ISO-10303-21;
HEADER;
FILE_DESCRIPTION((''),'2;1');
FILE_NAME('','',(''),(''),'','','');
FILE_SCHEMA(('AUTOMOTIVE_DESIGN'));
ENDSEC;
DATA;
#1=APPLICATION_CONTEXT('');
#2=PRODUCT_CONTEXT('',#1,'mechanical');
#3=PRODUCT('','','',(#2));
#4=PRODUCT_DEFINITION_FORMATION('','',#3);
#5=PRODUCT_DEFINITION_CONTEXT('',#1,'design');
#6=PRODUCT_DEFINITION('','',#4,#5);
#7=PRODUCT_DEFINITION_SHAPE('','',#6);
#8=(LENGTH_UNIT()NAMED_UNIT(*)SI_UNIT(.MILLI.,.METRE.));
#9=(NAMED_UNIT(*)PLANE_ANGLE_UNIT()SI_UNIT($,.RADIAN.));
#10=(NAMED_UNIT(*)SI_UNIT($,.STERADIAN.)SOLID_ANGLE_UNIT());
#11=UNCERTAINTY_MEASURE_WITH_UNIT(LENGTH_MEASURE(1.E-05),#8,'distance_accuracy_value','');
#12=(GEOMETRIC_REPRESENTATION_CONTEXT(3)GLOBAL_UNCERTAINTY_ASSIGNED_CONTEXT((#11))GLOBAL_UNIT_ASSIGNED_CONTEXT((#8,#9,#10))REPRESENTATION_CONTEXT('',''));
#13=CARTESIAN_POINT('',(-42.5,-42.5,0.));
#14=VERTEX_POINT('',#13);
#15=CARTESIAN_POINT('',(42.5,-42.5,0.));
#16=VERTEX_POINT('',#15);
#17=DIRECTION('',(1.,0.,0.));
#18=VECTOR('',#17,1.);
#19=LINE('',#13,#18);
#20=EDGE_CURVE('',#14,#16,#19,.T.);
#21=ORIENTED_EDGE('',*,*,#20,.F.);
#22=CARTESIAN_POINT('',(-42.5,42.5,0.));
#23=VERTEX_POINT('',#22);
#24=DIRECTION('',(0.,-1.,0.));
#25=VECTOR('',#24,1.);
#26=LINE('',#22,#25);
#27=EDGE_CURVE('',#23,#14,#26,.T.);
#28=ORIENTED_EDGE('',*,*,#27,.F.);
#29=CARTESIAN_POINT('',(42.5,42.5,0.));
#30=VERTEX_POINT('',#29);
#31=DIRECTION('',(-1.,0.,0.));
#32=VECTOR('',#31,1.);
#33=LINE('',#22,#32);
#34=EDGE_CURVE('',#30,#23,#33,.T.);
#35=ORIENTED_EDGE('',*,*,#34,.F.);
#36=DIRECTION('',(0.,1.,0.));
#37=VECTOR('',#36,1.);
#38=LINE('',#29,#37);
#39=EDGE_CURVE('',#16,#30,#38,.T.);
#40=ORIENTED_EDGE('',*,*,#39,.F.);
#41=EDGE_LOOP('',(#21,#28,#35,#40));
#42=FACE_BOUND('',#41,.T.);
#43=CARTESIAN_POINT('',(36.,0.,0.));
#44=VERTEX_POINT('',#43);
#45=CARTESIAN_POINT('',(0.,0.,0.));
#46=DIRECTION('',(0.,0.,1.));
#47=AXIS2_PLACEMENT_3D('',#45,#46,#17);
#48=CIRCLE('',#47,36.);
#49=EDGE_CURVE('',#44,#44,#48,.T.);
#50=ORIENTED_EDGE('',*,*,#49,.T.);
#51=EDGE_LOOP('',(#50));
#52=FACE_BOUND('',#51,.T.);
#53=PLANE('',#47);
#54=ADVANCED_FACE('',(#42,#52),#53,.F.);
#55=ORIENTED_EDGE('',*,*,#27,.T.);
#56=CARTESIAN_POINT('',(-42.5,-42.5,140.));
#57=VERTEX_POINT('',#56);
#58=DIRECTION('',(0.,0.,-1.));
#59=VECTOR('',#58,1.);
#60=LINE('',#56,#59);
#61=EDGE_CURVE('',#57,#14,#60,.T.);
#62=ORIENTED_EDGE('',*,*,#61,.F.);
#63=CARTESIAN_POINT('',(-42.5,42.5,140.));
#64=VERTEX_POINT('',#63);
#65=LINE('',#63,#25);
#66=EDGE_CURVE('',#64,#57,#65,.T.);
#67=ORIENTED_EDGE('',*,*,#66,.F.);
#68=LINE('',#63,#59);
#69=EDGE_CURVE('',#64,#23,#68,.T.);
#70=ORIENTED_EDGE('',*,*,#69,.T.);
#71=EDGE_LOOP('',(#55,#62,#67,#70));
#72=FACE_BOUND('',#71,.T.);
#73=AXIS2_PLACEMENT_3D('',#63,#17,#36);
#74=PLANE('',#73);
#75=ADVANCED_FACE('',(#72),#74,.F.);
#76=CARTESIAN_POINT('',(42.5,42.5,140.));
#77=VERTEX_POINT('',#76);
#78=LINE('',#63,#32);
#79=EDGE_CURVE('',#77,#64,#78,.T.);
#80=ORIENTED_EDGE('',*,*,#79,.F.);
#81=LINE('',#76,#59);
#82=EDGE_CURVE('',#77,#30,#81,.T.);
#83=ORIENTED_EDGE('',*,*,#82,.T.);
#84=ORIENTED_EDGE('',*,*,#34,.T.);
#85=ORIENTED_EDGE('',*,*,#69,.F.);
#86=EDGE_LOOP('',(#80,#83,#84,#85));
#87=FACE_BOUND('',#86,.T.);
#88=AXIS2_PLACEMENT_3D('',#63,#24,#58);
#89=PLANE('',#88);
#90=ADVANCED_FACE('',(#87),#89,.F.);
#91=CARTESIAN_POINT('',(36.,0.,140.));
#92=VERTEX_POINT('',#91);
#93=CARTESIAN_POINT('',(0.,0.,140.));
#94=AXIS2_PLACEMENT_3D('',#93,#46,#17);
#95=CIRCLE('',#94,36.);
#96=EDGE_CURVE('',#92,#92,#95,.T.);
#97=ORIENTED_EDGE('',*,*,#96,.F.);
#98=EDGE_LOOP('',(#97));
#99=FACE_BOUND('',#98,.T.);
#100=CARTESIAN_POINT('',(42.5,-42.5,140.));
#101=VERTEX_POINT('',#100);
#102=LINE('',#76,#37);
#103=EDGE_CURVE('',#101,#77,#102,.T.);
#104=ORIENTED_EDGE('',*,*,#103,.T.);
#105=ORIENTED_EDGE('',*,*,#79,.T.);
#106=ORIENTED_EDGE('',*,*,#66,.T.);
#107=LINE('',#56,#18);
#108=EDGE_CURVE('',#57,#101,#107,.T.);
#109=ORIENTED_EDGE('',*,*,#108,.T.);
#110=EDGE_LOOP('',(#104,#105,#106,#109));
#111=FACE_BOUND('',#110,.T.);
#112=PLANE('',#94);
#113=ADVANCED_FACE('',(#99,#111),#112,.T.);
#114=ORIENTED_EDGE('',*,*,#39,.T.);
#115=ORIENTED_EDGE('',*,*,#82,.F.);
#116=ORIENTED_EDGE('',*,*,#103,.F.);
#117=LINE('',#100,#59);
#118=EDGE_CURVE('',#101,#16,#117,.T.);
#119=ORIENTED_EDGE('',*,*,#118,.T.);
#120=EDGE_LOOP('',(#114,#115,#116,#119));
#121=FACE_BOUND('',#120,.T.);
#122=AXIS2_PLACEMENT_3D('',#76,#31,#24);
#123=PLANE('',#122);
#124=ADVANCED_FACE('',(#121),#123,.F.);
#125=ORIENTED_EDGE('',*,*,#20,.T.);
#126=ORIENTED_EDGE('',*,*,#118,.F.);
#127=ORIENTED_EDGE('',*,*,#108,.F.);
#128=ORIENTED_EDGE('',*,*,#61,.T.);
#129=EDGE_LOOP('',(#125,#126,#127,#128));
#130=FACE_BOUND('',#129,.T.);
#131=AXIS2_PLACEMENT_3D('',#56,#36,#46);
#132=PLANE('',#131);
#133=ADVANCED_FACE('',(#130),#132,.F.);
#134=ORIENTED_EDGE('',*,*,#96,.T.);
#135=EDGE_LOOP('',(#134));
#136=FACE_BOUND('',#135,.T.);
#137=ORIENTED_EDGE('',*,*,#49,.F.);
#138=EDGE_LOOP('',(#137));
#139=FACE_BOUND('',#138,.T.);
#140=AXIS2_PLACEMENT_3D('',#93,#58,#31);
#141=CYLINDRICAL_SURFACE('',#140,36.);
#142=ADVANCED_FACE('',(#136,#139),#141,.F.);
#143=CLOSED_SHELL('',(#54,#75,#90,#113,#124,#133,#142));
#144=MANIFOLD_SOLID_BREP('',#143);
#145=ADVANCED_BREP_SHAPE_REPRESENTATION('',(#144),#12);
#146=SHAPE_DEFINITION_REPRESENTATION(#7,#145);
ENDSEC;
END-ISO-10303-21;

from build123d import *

# Parameters (mm, degrees)
SKETCH_1_W      = 85
SKETCH_1_H      = 85
SKETCH_1_R      = 36
EXTRUDE_1_DEPTH = 140


with BuildPart() as part:
    # ｽｹｯﾁ1 → ﾎﾞｽ - 押し出し1 (new body)
    with BuildSketch(Plane.XY):
        Rectangle(SKETCH_1_W, SKETCH_1_H)
        Circle(SKETCH_1_R, mode=Mode.SUBTRACT)
    extrude(amount=EXTRUDE_1_DEPTH)


solid = part.part
